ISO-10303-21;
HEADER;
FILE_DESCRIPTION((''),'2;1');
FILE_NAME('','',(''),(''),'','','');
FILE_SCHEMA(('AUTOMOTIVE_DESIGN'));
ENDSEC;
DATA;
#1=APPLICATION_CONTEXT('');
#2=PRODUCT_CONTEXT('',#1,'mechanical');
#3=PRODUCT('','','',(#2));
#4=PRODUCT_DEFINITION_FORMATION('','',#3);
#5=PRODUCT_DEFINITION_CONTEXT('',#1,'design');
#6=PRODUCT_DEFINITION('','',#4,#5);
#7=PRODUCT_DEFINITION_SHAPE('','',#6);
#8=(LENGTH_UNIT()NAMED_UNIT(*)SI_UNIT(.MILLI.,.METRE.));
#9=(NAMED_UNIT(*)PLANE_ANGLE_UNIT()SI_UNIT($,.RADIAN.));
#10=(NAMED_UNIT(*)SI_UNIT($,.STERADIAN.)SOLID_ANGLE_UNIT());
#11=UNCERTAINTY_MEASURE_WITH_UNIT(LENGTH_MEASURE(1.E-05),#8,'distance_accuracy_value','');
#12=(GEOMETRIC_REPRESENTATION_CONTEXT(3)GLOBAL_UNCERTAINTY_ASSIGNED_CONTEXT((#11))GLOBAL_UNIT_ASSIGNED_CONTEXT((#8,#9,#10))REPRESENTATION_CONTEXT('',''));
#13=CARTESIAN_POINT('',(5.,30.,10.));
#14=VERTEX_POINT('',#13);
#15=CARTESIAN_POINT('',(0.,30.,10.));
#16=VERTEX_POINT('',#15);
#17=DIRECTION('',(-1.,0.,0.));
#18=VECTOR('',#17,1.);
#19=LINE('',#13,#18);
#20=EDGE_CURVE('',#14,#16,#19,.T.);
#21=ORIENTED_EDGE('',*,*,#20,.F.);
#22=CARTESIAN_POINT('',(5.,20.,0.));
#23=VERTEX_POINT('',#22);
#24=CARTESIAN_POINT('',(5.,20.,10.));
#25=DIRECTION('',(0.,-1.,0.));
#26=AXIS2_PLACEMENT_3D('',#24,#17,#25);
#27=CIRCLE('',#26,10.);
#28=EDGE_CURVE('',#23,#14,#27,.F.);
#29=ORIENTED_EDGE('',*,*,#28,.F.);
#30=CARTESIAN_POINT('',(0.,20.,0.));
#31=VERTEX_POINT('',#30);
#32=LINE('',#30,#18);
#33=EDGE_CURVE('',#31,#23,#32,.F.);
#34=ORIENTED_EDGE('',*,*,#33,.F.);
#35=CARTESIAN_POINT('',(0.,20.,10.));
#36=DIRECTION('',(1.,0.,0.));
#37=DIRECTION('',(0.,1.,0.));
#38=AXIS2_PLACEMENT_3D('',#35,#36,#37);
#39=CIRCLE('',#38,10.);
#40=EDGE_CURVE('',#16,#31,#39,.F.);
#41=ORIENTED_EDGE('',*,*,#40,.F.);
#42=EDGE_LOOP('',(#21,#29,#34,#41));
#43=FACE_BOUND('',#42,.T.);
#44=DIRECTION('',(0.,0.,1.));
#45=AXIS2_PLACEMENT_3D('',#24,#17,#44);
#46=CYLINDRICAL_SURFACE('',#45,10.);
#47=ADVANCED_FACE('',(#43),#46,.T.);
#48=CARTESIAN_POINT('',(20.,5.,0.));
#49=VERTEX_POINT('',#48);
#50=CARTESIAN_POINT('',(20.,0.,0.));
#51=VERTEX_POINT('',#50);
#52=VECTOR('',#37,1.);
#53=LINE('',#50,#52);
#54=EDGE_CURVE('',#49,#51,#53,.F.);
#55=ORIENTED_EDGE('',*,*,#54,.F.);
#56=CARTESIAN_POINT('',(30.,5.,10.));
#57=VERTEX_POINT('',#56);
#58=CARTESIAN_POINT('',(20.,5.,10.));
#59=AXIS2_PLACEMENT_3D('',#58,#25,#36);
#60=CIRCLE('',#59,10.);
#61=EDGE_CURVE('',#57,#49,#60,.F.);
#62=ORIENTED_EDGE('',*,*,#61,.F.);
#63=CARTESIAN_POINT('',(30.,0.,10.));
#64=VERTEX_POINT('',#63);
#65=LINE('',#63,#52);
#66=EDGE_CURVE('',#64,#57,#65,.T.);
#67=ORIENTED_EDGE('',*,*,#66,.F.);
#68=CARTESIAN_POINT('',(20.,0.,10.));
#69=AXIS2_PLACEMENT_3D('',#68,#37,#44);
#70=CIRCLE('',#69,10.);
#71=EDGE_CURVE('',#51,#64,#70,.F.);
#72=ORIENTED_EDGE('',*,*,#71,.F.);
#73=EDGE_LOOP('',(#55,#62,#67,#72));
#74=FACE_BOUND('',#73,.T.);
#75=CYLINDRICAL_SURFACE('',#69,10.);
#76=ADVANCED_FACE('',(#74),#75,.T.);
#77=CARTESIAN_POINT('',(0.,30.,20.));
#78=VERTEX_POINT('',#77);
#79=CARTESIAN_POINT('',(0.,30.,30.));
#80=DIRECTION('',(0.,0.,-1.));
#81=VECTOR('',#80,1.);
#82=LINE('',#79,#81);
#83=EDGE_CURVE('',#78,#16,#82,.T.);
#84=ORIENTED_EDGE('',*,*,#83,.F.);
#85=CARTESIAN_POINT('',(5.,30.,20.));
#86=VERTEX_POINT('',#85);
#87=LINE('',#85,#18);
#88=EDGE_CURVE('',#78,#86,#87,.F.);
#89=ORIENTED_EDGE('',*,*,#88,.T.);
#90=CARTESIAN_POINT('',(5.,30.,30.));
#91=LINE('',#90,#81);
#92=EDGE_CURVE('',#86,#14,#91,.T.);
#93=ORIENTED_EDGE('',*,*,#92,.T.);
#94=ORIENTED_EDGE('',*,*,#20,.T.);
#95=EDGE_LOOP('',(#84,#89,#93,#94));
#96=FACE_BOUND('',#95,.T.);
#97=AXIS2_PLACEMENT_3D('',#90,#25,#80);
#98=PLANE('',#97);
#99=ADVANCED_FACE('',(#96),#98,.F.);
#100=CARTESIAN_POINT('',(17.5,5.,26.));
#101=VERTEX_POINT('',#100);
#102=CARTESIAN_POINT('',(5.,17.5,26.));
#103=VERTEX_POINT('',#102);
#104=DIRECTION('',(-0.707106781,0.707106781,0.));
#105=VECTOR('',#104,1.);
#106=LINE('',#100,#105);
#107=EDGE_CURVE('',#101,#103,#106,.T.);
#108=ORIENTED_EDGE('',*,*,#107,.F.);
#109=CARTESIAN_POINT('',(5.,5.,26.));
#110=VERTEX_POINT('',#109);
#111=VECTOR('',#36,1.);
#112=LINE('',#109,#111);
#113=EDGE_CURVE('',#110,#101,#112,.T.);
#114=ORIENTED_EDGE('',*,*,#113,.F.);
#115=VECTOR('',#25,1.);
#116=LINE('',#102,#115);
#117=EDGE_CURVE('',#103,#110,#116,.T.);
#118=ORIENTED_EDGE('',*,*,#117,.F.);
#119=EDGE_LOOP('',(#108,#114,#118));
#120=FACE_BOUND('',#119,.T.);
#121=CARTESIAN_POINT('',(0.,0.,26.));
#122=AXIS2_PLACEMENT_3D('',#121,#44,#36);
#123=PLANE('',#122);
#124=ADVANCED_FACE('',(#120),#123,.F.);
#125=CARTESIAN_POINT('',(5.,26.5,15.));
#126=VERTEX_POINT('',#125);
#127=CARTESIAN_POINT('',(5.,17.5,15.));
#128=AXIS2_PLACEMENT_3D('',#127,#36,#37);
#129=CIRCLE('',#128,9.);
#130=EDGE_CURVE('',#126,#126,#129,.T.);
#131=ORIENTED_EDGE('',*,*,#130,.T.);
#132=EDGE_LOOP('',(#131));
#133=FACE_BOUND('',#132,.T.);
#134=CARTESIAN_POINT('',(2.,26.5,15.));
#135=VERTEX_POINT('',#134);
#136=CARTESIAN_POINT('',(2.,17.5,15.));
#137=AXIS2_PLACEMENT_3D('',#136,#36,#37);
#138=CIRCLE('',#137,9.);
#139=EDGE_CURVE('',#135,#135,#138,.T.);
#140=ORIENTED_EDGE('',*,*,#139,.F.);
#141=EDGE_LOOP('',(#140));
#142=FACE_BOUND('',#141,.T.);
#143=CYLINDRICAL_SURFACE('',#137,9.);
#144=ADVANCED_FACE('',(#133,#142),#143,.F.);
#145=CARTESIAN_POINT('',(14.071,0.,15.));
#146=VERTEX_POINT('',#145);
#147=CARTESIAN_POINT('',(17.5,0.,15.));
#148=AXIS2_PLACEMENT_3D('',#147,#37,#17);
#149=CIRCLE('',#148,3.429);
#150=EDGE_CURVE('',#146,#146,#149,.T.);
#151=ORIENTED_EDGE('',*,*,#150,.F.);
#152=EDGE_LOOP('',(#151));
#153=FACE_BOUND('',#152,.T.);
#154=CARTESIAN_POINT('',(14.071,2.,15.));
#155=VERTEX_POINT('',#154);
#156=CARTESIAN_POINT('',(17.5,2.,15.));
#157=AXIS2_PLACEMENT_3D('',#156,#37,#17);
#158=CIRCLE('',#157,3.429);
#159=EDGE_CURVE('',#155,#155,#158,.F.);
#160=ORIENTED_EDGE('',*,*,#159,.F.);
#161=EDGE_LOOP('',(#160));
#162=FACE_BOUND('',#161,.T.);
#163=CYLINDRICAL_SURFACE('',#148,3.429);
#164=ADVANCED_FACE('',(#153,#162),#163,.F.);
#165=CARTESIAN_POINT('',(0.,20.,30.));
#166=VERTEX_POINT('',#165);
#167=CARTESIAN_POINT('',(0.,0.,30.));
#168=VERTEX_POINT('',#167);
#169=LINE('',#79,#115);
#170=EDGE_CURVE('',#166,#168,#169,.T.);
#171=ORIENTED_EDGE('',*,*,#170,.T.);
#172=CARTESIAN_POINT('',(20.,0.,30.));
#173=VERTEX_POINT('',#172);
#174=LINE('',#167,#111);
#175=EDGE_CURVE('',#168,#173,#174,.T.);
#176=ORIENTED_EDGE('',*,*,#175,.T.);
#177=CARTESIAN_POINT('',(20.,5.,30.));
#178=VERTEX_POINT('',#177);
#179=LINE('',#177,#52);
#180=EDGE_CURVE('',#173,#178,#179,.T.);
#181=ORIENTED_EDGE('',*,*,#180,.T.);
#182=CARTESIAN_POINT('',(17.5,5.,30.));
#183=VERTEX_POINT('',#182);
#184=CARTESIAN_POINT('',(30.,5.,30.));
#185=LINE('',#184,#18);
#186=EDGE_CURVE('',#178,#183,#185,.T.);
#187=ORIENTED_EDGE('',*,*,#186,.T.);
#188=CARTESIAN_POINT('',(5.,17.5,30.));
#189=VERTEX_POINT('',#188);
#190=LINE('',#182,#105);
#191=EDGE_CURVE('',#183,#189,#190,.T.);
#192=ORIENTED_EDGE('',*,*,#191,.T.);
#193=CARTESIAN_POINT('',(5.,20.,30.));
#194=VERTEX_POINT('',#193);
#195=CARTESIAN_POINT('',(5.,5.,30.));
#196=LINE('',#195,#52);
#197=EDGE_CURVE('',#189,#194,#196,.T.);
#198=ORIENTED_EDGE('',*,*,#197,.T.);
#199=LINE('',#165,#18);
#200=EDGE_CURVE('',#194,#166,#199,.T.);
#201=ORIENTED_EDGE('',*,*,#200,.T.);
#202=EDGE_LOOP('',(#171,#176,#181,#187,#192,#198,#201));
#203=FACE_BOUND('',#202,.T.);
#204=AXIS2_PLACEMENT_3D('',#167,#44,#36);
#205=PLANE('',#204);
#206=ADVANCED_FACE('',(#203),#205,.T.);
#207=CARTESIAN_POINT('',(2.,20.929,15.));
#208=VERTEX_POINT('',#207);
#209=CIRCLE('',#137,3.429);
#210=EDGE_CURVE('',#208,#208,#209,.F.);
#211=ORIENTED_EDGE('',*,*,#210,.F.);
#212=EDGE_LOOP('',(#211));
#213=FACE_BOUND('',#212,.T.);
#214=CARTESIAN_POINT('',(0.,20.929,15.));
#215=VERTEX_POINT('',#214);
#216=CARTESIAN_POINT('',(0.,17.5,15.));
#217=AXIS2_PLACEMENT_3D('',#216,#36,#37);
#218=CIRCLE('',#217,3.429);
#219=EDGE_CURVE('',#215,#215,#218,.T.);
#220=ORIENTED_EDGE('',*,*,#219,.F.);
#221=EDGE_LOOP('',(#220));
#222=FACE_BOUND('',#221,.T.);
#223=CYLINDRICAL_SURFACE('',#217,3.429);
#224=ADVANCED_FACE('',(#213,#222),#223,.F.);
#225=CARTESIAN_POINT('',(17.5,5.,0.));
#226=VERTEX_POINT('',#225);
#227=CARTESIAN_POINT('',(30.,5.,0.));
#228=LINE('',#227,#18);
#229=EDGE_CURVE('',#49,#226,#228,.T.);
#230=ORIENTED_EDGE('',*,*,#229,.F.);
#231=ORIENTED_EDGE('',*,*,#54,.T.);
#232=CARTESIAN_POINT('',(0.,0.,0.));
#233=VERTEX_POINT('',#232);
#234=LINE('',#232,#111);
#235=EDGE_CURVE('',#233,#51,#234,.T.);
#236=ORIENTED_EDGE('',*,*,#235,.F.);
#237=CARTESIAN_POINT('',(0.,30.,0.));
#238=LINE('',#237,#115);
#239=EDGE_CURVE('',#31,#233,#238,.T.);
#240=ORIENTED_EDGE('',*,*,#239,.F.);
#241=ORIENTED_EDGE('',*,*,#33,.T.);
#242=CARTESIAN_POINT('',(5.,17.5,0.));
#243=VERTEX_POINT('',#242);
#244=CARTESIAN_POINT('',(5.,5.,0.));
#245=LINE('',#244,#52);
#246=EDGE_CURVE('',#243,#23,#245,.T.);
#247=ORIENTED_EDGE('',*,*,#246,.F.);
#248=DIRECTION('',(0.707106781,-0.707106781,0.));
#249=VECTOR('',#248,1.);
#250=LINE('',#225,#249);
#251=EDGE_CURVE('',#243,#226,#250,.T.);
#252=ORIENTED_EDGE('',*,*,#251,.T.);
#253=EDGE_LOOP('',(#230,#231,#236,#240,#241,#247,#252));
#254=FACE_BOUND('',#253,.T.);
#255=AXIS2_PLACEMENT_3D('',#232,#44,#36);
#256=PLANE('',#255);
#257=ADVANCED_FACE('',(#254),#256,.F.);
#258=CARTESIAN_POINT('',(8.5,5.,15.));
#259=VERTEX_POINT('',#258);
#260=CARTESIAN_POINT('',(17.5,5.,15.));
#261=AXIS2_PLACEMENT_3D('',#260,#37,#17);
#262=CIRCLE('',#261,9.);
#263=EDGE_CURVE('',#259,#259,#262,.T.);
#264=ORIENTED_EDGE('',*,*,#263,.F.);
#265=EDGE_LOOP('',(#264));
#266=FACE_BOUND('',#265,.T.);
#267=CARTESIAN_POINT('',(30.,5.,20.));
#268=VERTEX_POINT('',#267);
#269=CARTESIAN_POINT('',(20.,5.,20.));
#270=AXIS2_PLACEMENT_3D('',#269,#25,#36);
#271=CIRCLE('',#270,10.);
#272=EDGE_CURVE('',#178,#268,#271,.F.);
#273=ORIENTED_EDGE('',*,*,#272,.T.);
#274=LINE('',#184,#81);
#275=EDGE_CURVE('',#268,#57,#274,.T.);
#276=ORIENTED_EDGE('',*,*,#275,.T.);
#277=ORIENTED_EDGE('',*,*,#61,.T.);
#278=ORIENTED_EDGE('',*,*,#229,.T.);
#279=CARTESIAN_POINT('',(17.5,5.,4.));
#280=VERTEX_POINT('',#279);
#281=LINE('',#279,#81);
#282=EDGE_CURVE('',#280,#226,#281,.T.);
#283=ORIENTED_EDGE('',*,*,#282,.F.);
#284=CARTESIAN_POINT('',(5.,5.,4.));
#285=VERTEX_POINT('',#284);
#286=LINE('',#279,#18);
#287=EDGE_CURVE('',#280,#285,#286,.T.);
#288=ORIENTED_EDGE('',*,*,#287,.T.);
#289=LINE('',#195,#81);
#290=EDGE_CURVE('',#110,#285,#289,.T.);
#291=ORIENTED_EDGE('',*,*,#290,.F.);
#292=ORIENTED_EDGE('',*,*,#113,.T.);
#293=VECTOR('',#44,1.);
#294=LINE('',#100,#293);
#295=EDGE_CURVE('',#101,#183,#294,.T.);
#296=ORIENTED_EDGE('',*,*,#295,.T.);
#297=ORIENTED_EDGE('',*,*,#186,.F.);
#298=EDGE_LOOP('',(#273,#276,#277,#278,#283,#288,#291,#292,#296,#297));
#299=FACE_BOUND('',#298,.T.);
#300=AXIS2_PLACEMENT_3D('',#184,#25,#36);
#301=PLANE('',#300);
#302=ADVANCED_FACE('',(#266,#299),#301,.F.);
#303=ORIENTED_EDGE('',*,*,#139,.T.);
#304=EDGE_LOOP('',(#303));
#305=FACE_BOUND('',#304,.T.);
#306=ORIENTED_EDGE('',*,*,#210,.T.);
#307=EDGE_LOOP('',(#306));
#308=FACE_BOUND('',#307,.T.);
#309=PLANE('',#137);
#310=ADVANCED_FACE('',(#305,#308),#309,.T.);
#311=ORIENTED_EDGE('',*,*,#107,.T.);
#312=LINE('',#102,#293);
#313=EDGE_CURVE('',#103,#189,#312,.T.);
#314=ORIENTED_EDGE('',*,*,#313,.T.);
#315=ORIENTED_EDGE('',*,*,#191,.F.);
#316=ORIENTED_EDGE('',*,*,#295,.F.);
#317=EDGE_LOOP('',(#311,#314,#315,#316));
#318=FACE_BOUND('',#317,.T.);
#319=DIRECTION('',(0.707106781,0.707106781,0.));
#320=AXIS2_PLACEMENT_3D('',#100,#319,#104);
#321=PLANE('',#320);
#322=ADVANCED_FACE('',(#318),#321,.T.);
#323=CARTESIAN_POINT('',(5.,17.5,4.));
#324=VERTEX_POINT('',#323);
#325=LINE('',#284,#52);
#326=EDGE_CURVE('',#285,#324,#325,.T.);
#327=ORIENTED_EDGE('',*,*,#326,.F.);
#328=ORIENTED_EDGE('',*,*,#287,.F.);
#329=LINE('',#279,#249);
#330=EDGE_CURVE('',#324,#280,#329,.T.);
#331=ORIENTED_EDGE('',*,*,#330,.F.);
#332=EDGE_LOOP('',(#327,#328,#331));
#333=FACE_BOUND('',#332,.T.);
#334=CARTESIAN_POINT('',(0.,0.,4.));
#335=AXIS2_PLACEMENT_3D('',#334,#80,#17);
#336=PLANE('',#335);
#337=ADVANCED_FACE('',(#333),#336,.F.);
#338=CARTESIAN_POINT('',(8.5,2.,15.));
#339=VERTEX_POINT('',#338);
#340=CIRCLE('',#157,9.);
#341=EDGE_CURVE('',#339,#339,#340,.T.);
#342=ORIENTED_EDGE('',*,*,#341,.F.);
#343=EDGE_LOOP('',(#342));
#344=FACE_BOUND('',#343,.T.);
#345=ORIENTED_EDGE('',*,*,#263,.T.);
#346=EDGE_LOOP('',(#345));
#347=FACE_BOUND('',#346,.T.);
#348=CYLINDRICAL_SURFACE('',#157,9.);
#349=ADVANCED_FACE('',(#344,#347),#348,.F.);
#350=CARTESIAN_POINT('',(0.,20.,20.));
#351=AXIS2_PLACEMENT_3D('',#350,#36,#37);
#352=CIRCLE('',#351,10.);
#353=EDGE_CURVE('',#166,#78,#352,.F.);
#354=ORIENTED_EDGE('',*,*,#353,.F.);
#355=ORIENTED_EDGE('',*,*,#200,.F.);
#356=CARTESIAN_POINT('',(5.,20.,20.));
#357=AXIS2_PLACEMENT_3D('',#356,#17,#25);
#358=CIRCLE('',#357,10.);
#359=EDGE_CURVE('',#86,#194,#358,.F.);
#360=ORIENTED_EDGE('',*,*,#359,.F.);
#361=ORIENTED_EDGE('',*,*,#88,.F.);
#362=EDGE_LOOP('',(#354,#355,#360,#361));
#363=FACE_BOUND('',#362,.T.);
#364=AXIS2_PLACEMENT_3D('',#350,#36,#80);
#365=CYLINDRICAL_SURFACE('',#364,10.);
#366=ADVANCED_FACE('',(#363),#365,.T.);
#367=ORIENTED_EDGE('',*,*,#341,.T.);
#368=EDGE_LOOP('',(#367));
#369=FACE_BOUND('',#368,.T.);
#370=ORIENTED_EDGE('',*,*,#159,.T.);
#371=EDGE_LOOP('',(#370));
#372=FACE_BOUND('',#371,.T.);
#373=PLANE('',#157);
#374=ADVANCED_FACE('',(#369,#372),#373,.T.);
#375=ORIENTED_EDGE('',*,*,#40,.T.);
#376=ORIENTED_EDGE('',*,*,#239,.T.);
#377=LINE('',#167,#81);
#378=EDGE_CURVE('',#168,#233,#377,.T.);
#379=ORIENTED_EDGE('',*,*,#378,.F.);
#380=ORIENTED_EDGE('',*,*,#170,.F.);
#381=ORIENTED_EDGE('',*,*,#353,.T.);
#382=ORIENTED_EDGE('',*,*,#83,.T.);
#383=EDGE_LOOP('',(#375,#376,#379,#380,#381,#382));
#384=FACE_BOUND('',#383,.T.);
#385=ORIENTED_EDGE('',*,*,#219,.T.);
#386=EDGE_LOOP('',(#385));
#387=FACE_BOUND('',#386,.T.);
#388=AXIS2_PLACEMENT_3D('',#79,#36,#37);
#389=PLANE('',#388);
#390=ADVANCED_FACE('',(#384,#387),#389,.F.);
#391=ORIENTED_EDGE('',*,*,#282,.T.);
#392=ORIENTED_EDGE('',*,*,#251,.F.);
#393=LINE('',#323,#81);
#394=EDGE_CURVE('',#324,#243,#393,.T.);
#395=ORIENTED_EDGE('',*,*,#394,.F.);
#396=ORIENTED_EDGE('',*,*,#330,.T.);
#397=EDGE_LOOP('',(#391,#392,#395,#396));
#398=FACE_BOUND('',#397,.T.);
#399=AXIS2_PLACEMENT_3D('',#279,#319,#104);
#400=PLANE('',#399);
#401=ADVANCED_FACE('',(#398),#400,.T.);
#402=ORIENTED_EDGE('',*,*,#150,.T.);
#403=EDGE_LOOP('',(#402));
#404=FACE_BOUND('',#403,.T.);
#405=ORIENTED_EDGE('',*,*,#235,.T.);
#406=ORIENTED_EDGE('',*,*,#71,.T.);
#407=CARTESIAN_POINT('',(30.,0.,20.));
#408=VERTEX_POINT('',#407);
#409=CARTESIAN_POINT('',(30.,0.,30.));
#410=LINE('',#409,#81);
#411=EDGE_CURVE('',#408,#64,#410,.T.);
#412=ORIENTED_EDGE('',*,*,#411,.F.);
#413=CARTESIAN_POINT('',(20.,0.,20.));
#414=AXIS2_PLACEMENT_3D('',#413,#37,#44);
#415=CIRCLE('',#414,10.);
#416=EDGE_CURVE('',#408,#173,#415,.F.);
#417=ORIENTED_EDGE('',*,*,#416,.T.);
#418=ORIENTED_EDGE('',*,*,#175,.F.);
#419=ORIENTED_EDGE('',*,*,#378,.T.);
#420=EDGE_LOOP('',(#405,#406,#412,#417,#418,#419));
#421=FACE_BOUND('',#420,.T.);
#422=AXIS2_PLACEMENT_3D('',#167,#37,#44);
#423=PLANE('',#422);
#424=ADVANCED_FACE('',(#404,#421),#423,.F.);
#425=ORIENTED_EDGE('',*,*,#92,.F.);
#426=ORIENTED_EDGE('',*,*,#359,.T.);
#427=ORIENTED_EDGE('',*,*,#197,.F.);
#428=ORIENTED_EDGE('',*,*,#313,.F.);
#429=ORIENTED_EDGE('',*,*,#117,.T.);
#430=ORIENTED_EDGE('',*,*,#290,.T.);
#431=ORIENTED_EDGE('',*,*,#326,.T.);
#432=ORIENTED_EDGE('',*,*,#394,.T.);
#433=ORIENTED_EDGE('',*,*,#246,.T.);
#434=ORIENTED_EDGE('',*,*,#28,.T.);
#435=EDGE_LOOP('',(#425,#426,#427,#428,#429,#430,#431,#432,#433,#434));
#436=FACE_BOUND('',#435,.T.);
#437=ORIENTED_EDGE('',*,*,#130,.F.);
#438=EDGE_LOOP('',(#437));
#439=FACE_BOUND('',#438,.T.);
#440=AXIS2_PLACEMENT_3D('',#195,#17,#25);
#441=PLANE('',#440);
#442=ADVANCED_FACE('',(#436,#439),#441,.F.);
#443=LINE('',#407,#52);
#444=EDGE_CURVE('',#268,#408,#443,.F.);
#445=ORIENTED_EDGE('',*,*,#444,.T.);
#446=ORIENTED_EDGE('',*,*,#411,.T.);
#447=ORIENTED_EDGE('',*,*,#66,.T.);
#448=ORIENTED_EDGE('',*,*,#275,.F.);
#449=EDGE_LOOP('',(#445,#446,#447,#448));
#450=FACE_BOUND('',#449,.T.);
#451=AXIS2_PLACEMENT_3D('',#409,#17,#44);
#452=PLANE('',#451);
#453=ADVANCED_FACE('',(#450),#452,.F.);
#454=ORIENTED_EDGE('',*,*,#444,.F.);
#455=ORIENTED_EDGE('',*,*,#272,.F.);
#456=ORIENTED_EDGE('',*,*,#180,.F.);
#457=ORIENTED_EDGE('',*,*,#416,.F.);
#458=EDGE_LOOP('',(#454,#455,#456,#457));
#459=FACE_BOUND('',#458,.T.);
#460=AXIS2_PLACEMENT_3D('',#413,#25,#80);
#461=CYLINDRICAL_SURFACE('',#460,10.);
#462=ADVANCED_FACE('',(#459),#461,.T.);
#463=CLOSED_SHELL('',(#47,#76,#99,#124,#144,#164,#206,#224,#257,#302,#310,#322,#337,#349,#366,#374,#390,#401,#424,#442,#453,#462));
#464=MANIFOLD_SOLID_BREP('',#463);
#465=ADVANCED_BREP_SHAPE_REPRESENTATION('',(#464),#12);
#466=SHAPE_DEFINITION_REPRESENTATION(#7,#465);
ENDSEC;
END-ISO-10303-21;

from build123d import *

# Parameters (mm, degrees)
BOSS_EXTRUDE1_DEPTH     = 30
SKETCH2_R               = 3.429
CUT_EXTRUDE1_DEPTH      = 50.244289009
CUT_EXTRUDE2_DEPTH      = 50.244289009
CUT_EXTRUDE2_DEPTH_BACK = 50.244289009
SKETCH4_R               = 3.429
SKETCH7_R               = 9
CUT_EXTRUDE3_DEPTH      = 3
SKETCH8_R               = 9
CUT_EXTRUDE4_DEPTH      = 3
BOSS_EXTRUDE2_DEPTH     = 4
BOSS_EXTRUDE3_DEPTH     = 4
FILLET1_R               = 10


with BuildPart() as part:
    # Sketch1 → Boss-Extrude1 (new body)
    with BuildSketch(Plane.XY):
        Polygon((0, 30), (0, 0), (30, 0), (30, 5), (5, 5), (5, 30), align=None)
    extrude(amount=BOSS_EXTRUDE1_DEPTH)

    # Sketch2 → Cut-Extrude1 (cut, through all)
    with BuildSketch(Plane(origin=(5, 0, 0), x_dir=(0, 0, -1), z_dir=(1, 0, 0))):
        with Locations(Location((-15, 17.5, 0), (0, 0, 90))):
            Circle(SKETCH2_R)
    extrude(amount=-CUT_EXTRUDE1_DEPTH, mode=Mode.SUBTRACT)

    # Sketch4 → Cut-Extrude2 (cut, two sides: drawn at the far end of the back side and taken through both)
    with BuildSketch(Plane(origin=(0, 5, 0), x_dir=(1, 0, 0), z_dir=(0, 1, 0)).offset(-CUT_EXTRUDE2_DEPTH_BACK)):
        with Locations(Location((17.5, -15, 0), (0, 0, 180))):
            Circle(SKETCH4_R)
    extrude(amount=CUT_EXTRUDE2_DEPTH + CUT_EXTRUDE2_DEPTH_BACK, mode=Mode.SUBTRACT)

    # Sketch7 → Cut-Extrude3 (cut)
    with BuildSketch(Plane(origin=(0, 5, 0), x_dir=(1, 0, 0), z_dir=(0, 1, 0))):
        with Locations(Location((17.5, -15, 0), (0, 0, 180))):
            Circle(SKETCH7_R)
    extrude(amount=-CUT_EXTRUDE3_DEPTH, mode=Mode.SUBTRACT)

    # Sketch8 → Cut-Extrude4 (cut)
    with BuildSketch(Plane(origin=(5, 0, 0), x_dir=(0, 0, -1), z_dir=(1, 0, 0))):
        with Locations(Location((-15, 17.5, 0), (0, 0, 90))):
            Circle(SKETCH8_R)
    extrude(amount=-CUT_EXTRUDE4_DEPTH, mode=Mode.SUBTRACT)

    # Sketch9 → Boss-Extrude2 (add)
    with BuildSketch(Plane(origin=(0, 0, 0), x_dir=(-1, 0, 0), z_dir=(0, 0, -1))):
        Polygon((-17.5, 5), (-5, 17.5), (-5, 5), align=None)
    extrude(amount=-BOSS_EXTRUDE2_DEPTH)

    # Sketch10 → Boss-Extrude3 (add)
    with BuildSketch(Plane.XY.offset(30)):
        Polygon((5, 5), (17.5, 5), (5, 17.5), align=None)
    extrude(amount=-BOSS_EXTRUDE3_DEPTH)

    # Fillet1
    fillet1_edges = [part.edges().sort_by_distance(p)[0] for p in [
        (30, 2.5, 30),
        (2.5, 30, 30),
        (30, 2.5, 0),
        (2.5, 30, 0),
    ]]
    fillet(fillet1_edges, radius=FILLET1_R)


solid = part.part
